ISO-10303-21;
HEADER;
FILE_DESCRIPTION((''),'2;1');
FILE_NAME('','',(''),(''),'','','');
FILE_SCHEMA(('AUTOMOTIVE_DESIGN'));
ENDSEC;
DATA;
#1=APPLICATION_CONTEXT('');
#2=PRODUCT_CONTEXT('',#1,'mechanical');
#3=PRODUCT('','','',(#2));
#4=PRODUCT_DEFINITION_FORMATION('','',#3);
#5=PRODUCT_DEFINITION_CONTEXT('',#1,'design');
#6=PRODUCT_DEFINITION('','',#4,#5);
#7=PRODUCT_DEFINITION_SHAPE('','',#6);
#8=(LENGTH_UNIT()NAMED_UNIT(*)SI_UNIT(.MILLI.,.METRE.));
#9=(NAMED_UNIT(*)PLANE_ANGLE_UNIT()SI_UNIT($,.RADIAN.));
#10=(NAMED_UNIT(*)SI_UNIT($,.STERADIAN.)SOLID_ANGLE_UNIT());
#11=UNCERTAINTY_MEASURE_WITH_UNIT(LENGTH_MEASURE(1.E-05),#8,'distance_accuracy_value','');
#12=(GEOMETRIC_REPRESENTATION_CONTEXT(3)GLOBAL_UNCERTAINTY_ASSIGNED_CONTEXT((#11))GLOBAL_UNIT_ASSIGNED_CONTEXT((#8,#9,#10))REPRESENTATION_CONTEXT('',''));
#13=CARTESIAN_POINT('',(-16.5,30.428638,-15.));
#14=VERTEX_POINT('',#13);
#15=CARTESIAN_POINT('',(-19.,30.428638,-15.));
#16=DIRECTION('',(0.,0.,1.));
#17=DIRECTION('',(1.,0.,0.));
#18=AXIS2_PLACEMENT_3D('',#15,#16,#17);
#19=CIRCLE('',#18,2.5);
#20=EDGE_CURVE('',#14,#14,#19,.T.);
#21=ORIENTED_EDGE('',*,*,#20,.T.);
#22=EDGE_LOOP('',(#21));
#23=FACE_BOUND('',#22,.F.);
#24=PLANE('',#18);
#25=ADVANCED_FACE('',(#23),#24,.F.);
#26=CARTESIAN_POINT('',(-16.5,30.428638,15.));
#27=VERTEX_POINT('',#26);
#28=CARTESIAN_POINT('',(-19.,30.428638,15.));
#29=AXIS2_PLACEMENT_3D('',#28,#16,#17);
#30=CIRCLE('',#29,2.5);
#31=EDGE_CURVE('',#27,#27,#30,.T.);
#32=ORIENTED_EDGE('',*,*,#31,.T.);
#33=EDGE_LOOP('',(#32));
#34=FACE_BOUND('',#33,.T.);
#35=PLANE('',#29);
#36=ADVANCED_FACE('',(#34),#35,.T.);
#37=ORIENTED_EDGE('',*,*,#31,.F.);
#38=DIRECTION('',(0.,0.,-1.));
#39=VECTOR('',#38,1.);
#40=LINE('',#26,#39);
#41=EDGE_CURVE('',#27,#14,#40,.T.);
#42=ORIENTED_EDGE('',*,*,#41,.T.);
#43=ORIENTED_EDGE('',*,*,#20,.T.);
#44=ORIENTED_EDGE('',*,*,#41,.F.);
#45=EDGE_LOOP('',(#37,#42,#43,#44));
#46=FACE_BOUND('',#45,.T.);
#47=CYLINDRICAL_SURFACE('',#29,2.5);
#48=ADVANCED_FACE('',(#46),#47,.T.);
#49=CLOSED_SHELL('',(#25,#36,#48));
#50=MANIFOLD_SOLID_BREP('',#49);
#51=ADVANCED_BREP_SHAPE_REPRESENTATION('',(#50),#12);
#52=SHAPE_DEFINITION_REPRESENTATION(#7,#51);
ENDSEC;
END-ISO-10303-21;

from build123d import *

# Parameters (mm, degrees)
SKETCH1_R           = 2.5
BOSS_EXTRUDE1_DEPTH = 30


with BuildPart() as part:
    # Sketch1 → Boss-Extrude1 (new body)
    with BuildSketch(Plane.XY.offset(15)):
        with Locations((-19, 30.428638458)):
            Circle(SKETCH1_R)
    extrude(amount=-BOSS_EXTRUDE1_DEPTH)


solid = part.part
